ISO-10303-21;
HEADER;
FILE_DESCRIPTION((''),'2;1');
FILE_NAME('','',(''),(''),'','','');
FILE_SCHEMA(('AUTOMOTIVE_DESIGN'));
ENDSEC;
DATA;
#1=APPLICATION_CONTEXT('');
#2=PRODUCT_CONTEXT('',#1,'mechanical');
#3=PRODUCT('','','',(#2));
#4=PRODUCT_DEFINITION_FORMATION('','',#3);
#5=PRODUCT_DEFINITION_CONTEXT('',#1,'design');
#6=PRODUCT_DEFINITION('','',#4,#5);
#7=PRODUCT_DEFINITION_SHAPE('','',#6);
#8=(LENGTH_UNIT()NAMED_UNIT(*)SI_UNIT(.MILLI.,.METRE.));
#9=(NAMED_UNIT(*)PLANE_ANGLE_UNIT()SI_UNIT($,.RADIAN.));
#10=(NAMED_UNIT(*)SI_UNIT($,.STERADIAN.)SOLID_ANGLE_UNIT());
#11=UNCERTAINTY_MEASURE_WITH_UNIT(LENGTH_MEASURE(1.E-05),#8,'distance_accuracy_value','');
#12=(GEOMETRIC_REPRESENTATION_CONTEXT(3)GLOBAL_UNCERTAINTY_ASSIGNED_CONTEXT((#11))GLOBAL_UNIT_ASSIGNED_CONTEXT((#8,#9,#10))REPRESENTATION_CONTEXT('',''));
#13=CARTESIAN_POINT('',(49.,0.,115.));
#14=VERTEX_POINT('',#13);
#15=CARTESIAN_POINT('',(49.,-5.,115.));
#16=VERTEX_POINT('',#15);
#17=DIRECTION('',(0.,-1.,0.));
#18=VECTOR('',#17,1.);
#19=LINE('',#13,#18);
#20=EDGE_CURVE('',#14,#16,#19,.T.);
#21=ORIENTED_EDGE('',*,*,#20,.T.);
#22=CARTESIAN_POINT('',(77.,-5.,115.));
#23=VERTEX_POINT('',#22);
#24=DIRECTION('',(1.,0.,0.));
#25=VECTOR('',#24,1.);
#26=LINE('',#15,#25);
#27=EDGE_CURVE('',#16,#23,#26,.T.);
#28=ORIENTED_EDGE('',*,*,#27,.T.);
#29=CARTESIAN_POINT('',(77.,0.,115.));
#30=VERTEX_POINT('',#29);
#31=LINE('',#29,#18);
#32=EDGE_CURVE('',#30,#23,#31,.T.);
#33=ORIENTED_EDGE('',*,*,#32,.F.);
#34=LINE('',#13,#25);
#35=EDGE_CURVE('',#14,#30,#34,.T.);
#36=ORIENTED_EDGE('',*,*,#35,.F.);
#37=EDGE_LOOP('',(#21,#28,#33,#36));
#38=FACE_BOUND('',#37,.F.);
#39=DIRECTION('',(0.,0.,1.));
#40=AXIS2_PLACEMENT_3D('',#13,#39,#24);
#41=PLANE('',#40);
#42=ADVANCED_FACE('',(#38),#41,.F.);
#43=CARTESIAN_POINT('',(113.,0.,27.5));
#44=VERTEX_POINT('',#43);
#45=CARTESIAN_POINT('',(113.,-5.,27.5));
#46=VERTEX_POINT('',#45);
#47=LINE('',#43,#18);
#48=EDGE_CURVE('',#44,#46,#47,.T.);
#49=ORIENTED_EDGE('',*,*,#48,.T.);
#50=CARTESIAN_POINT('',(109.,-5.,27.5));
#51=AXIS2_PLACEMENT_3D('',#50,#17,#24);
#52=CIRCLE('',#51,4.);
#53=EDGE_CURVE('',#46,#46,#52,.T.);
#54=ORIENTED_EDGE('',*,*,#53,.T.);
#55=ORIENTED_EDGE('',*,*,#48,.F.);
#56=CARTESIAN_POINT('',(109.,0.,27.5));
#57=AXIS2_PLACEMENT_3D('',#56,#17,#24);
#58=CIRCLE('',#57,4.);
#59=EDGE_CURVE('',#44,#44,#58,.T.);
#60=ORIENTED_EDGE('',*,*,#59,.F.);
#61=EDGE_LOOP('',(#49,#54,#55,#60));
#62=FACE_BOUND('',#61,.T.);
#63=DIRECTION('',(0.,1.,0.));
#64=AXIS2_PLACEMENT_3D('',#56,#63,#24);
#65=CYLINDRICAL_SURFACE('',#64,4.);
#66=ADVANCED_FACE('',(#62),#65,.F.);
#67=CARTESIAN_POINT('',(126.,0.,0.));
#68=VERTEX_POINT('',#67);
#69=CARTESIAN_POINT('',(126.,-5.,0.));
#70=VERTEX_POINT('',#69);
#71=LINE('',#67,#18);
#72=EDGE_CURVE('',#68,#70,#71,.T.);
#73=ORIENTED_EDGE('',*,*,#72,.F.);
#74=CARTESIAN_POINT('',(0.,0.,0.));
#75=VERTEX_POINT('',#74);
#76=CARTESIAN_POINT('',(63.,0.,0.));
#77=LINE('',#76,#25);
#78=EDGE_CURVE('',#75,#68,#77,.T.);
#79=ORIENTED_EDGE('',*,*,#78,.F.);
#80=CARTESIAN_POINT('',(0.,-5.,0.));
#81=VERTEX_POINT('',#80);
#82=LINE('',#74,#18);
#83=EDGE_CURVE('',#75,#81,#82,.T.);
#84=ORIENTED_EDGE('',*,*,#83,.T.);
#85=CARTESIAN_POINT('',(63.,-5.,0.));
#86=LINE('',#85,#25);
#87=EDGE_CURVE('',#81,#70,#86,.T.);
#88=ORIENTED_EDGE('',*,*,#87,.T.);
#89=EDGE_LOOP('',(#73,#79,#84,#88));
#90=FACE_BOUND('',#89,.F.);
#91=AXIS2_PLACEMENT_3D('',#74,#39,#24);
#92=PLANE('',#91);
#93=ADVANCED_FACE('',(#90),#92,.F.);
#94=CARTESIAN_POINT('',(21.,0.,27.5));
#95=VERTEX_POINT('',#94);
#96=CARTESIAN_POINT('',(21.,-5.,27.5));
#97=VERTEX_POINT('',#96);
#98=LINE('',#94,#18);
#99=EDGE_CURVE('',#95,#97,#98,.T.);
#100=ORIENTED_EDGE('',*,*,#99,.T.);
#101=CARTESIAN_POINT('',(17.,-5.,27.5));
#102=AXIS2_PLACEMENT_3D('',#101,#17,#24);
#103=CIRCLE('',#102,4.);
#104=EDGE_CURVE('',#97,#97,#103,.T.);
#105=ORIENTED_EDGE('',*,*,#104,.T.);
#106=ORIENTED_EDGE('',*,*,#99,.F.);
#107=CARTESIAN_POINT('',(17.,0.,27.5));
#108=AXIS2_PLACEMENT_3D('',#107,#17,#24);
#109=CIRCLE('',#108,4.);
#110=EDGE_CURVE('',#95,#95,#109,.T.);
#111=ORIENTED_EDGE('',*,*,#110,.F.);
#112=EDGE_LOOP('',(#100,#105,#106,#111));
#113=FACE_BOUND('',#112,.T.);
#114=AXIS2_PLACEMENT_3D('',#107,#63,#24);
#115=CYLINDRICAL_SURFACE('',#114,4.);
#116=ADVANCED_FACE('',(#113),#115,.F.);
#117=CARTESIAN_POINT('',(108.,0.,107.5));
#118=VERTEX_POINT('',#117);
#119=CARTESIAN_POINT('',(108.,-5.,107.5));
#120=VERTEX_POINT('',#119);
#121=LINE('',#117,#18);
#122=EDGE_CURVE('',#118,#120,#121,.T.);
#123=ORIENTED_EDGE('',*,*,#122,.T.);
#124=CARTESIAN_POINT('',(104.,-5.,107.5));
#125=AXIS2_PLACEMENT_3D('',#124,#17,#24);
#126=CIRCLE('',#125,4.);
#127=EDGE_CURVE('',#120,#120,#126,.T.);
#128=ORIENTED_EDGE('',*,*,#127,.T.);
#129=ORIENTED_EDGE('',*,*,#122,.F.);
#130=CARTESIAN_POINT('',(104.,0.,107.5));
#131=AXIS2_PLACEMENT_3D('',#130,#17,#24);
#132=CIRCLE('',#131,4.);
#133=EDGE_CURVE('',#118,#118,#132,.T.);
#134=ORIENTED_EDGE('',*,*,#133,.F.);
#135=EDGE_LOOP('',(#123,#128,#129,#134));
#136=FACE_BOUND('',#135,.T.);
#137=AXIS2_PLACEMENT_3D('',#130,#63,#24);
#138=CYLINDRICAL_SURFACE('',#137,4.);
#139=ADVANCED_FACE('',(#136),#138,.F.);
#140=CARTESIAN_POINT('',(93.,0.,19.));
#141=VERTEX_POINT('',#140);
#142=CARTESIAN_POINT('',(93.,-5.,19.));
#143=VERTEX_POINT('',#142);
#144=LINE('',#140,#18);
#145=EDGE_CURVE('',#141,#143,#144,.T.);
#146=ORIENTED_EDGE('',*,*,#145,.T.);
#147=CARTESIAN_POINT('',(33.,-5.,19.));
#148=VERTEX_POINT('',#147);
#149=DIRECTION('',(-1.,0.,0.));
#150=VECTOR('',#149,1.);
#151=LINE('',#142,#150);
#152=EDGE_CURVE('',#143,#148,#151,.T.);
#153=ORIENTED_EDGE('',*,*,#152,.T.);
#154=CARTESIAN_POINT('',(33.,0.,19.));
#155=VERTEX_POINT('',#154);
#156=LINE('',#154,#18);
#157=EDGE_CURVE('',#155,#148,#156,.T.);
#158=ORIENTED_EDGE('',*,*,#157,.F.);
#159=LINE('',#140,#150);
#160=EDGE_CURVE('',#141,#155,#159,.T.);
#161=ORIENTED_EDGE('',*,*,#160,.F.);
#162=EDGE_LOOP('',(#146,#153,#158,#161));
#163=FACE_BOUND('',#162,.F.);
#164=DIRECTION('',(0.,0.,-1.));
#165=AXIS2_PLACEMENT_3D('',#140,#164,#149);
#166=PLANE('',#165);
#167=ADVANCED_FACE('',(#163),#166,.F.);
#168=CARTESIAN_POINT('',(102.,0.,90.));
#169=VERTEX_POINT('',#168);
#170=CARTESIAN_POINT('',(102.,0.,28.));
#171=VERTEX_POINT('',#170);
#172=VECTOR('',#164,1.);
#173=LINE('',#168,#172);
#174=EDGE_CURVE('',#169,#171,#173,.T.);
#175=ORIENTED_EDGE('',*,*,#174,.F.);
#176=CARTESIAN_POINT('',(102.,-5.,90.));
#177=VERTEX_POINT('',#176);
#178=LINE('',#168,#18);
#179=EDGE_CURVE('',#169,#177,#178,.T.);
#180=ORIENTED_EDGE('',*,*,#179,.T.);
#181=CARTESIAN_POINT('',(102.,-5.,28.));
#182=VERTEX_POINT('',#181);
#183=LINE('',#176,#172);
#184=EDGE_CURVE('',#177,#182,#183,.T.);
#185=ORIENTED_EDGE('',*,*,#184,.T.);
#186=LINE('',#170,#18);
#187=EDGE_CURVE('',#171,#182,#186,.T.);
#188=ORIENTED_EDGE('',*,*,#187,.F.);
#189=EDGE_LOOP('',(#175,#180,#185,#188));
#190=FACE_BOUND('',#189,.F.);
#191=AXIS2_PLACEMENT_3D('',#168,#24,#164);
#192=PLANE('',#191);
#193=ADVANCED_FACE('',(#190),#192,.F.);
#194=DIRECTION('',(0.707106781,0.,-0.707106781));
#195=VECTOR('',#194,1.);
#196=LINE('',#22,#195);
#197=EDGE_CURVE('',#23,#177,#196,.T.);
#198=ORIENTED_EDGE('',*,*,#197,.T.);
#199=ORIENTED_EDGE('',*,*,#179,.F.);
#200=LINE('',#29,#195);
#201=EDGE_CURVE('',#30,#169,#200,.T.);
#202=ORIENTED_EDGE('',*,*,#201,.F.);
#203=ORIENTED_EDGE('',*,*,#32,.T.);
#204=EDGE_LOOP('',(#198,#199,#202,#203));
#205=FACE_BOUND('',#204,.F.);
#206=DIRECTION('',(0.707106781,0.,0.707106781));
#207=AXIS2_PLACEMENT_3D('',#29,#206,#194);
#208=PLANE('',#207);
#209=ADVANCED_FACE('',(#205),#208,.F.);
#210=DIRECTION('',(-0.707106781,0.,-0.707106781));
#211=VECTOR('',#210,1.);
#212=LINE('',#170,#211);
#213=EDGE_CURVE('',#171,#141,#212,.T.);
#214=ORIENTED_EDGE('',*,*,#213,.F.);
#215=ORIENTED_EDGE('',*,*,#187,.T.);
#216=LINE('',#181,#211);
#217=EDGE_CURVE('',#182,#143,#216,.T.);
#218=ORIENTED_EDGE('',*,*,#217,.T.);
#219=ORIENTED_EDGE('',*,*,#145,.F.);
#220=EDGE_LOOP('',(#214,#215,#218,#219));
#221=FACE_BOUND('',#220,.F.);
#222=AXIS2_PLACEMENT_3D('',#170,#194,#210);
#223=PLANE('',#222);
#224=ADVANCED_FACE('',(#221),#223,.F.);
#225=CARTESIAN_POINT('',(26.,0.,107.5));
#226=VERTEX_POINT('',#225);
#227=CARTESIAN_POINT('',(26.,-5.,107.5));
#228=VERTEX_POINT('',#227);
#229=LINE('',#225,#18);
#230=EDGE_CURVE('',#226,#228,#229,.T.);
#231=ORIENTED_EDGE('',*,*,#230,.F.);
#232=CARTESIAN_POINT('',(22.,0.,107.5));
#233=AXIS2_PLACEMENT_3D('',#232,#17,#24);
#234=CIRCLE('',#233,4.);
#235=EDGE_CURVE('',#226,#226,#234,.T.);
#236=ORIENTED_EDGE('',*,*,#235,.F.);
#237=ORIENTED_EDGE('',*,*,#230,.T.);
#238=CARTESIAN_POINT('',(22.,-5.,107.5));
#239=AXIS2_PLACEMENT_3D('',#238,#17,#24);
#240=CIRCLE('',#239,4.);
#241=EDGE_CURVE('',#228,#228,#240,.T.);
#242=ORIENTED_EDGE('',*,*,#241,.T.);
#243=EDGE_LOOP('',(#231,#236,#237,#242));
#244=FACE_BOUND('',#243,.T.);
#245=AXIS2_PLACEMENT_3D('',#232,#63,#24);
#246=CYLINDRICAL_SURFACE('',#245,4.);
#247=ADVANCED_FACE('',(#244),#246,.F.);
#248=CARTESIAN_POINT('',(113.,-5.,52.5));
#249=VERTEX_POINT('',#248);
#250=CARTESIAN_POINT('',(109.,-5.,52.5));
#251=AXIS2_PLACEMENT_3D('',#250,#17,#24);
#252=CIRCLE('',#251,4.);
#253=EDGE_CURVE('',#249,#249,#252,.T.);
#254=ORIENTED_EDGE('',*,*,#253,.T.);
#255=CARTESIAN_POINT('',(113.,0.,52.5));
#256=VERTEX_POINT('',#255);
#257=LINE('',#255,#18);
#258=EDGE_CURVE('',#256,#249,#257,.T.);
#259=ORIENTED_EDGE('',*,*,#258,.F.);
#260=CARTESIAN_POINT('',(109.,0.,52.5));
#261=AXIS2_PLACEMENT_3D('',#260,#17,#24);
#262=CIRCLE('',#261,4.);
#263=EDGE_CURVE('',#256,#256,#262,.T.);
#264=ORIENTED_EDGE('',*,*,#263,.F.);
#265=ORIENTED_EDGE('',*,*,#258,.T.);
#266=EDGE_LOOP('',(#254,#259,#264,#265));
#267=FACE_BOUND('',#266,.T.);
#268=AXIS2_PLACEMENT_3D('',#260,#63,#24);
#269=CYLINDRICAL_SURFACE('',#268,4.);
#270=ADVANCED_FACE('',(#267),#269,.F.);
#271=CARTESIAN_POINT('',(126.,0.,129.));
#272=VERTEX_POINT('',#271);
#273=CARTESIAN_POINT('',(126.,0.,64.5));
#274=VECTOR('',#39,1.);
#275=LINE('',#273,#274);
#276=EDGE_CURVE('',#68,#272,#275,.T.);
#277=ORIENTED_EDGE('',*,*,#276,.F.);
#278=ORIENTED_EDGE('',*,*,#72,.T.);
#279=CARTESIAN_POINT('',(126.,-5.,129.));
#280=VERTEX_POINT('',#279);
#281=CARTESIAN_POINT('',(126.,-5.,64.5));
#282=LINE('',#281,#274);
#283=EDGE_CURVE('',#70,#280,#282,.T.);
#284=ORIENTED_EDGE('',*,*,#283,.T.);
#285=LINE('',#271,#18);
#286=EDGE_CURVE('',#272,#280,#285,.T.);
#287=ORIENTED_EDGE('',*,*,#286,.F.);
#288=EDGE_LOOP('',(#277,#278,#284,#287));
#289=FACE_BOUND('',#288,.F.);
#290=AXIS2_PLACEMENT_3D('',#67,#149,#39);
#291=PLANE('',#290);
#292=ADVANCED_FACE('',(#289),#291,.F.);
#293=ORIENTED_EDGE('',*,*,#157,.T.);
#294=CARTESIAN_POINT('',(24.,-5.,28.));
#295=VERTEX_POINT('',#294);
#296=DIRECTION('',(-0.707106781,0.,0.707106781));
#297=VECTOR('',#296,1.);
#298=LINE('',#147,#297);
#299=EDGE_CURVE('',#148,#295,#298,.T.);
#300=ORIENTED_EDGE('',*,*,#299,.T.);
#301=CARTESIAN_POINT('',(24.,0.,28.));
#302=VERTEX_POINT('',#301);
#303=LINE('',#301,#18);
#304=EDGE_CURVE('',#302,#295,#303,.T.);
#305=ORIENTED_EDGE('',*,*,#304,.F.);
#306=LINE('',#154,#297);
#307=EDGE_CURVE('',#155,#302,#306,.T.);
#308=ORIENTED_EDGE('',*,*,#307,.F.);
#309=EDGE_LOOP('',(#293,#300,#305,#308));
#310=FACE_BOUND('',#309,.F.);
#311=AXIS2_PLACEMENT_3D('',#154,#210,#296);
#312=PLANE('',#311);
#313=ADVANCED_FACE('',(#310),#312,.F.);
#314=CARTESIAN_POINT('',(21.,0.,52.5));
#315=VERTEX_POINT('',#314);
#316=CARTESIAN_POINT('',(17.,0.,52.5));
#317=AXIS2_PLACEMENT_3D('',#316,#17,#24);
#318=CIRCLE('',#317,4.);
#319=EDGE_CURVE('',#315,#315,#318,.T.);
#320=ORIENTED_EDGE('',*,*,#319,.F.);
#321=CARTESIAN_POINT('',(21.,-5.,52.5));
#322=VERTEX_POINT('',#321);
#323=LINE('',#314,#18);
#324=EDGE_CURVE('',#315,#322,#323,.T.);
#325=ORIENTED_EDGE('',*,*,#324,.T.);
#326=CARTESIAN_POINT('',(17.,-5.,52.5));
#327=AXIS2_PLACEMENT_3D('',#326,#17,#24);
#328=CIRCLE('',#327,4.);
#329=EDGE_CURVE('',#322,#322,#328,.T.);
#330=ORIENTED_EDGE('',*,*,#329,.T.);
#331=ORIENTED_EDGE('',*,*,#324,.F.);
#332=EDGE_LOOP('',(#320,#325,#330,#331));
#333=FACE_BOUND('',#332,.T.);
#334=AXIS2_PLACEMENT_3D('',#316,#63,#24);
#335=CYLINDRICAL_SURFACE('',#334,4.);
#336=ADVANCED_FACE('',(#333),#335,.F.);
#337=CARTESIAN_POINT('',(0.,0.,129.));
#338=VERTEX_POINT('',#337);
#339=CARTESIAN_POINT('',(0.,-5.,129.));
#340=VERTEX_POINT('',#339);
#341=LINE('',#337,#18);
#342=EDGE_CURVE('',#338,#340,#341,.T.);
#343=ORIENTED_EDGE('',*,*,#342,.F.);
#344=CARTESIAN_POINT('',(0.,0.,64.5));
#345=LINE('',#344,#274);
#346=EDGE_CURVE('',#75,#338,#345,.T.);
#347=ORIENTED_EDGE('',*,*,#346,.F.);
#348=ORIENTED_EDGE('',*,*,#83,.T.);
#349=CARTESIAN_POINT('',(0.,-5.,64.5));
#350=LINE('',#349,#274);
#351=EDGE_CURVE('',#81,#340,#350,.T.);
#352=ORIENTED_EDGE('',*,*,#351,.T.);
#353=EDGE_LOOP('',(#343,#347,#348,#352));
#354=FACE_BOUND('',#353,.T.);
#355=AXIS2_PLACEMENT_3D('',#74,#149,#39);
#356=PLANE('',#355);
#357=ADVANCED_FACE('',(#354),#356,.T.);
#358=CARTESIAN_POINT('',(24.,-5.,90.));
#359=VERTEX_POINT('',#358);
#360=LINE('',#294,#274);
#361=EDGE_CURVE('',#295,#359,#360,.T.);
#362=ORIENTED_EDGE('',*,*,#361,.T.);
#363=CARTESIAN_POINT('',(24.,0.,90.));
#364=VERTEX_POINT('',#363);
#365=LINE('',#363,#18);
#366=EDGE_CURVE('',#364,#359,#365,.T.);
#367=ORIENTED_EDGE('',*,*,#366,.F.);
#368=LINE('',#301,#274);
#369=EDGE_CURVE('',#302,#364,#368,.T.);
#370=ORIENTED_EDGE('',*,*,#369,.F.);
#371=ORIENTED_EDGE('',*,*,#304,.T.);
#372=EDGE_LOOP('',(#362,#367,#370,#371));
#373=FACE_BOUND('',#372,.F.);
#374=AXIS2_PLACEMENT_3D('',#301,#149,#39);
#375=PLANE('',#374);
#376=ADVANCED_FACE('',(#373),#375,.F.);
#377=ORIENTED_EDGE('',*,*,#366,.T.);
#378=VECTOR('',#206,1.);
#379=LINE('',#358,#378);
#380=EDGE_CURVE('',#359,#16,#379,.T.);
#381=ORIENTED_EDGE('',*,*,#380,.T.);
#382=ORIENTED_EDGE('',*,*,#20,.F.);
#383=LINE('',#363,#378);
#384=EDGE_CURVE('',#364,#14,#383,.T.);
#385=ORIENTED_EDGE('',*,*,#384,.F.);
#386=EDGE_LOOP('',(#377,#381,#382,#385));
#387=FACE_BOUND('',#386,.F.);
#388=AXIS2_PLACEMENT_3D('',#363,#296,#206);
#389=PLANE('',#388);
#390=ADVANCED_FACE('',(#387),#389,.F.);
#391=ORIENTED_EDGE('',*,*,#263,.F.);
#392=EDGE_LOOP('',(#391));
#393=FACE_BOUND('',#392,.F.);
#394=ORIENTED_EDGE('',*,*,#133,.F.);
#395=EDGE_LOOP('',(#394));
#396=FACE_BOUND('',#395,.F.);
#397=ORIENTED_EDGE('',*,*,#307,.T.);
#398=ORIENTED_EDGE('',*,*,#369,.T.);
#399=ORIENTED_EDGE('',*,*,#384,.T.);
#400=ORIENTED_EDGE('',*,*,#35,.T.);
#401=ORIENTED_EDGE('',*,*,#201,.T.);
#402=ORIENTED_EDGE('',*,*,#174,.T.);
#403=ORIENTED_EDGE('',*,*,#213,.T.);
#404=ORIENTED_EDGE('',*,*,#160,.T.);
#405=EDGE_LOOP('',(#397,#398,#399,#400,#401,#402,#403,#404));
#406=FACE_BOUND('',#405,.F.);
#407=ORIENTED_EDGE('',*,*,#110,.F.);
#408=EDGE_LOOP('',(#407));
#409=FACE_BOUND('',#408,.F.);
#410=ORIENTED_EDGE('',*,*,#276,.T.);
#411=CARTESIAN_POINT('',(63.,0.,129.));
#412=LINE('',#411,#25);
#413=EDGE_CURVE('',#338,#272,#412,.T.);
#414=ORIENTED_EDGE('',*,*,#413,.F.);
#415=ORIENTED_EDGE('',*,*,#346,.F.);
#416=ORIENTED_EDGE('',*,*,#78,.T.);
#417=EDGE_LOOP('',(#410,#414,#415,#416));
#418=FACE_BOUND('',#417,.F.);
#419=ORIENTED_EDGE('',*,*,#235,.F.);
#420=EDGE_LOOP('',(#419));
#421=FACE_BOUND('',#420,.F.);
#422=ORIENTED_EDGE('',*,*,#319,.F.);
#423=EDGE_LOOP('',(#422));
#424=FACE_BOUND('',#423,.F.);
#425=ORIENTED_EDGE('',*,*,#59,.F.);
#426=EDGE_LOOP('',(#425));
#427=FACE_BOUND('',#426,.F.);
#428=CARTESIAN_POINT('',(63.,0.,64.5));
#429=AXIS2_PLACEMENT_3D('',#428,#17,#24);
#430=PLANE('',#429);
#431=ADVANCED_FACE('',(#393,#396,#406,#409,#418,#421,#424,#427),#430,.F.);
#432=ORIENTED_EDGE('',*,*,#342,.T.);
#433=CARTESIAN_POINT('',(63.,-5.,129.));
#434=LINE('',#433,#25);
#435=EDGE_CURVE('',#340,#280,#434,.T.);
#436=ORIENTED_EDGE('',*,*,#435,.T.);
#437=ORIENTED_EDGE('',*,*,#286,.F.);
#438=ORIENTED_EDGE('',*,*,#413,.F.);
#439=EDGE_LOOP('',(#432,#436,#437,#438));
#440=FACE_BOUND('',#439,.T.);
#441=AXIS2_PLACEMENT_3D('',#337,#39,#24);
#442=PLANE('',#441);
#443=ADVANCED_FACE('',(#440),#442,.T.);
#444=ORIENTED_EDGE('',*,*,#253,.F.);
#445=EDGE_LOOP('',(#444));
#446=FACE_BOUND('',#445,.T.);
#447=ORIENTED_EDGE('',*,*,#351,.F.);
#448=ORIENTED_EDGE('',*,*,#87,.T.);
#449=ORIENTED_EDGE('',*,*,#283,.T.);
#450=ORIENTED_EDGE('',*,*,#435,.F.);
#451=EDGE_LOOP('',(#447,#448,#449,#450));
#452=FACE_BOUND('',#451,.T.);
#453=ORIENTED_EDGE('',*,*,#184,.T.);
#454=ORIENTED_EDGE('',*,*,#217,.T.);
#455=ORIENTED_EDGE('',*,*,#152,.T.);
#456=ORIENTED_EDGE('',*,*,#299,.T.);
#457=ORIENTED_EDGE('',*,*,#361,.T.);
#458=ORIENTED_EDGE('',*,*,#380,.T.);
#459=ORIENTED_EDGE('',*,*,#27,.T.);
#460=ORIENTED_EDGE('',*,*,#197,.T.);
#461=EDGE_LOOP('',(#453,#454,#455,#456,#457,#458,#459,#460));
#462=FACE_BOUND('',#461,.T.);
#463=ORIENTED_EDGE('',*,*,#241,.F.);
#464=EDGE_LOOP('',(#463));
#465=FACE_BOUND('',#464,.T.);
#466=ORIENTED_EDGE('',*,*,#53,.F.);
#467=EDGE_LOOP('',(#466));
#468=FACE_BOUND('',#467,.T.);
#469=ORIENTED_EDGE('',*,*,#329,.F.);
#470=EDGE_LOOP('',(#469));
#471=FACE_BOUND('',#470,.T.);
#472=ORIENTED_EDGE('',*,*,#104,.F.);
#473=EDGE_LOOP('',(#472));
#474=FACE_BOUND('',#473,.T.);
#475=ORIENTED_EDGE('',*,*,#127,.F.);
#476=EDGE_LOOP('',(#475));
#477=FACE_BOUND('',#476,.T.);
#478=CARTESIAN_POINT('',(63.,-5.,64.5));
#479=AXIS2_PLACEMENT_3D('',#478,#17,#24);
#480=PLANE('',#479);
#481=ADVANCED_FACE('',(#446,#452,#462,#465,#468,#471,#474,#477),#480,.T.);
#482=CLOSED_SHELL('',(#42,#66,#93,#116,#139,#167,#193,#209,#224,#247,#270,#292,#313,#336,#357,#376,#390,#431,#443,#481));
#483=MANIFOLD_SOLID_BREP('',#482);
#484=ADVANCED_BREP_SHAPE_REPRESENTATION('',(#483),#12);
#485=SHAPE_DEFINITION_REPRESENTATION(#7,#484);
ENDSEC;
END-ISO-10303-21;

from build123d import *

# Parameters (mm, degrees)
F0_W     = 126
F0_H     = 129
F0_R     = 4
F1_DEPTH = 5


with BuildPart() as f1:
    # F0 (on Front) → F1 (new body)
    with BuildSketch(Plane.XZ):
        with Locations((63, 64.5)):
            Rectangle(F0_W, F0_H)
        with Locations((17, 27.5)):
            Circle(F0_R, mode=Mode.SUBTRACT)
        with Locations((17, 52.5)):
            Circle(F0_R, mode=Mode.SUBTRACT)
        with Locations((109, 27.5)):
            Circle(F0_R, mode=Mode.SUBTRACT)
        with Locations((109, 52.5)):
            Circle(F0_R, mode=Mode.SUBTRACT)
        with Locations((22, 107.5)):
            Circle(F0_R, mode=Mode.SUBTRACT)
        Polygon((93, 19), (33, 19), (24, 28), (24, 90), (49, 115), (77, 115), (102, 90), (102, 28), align=None, mode=Mode.SUBTRACT)
        with Locations((104, 107.5)):
            Circle(F0_R, mode=Mode.SUBTRACT)
    extrude(amount=F1_DEPTH)


solid = f1.part
